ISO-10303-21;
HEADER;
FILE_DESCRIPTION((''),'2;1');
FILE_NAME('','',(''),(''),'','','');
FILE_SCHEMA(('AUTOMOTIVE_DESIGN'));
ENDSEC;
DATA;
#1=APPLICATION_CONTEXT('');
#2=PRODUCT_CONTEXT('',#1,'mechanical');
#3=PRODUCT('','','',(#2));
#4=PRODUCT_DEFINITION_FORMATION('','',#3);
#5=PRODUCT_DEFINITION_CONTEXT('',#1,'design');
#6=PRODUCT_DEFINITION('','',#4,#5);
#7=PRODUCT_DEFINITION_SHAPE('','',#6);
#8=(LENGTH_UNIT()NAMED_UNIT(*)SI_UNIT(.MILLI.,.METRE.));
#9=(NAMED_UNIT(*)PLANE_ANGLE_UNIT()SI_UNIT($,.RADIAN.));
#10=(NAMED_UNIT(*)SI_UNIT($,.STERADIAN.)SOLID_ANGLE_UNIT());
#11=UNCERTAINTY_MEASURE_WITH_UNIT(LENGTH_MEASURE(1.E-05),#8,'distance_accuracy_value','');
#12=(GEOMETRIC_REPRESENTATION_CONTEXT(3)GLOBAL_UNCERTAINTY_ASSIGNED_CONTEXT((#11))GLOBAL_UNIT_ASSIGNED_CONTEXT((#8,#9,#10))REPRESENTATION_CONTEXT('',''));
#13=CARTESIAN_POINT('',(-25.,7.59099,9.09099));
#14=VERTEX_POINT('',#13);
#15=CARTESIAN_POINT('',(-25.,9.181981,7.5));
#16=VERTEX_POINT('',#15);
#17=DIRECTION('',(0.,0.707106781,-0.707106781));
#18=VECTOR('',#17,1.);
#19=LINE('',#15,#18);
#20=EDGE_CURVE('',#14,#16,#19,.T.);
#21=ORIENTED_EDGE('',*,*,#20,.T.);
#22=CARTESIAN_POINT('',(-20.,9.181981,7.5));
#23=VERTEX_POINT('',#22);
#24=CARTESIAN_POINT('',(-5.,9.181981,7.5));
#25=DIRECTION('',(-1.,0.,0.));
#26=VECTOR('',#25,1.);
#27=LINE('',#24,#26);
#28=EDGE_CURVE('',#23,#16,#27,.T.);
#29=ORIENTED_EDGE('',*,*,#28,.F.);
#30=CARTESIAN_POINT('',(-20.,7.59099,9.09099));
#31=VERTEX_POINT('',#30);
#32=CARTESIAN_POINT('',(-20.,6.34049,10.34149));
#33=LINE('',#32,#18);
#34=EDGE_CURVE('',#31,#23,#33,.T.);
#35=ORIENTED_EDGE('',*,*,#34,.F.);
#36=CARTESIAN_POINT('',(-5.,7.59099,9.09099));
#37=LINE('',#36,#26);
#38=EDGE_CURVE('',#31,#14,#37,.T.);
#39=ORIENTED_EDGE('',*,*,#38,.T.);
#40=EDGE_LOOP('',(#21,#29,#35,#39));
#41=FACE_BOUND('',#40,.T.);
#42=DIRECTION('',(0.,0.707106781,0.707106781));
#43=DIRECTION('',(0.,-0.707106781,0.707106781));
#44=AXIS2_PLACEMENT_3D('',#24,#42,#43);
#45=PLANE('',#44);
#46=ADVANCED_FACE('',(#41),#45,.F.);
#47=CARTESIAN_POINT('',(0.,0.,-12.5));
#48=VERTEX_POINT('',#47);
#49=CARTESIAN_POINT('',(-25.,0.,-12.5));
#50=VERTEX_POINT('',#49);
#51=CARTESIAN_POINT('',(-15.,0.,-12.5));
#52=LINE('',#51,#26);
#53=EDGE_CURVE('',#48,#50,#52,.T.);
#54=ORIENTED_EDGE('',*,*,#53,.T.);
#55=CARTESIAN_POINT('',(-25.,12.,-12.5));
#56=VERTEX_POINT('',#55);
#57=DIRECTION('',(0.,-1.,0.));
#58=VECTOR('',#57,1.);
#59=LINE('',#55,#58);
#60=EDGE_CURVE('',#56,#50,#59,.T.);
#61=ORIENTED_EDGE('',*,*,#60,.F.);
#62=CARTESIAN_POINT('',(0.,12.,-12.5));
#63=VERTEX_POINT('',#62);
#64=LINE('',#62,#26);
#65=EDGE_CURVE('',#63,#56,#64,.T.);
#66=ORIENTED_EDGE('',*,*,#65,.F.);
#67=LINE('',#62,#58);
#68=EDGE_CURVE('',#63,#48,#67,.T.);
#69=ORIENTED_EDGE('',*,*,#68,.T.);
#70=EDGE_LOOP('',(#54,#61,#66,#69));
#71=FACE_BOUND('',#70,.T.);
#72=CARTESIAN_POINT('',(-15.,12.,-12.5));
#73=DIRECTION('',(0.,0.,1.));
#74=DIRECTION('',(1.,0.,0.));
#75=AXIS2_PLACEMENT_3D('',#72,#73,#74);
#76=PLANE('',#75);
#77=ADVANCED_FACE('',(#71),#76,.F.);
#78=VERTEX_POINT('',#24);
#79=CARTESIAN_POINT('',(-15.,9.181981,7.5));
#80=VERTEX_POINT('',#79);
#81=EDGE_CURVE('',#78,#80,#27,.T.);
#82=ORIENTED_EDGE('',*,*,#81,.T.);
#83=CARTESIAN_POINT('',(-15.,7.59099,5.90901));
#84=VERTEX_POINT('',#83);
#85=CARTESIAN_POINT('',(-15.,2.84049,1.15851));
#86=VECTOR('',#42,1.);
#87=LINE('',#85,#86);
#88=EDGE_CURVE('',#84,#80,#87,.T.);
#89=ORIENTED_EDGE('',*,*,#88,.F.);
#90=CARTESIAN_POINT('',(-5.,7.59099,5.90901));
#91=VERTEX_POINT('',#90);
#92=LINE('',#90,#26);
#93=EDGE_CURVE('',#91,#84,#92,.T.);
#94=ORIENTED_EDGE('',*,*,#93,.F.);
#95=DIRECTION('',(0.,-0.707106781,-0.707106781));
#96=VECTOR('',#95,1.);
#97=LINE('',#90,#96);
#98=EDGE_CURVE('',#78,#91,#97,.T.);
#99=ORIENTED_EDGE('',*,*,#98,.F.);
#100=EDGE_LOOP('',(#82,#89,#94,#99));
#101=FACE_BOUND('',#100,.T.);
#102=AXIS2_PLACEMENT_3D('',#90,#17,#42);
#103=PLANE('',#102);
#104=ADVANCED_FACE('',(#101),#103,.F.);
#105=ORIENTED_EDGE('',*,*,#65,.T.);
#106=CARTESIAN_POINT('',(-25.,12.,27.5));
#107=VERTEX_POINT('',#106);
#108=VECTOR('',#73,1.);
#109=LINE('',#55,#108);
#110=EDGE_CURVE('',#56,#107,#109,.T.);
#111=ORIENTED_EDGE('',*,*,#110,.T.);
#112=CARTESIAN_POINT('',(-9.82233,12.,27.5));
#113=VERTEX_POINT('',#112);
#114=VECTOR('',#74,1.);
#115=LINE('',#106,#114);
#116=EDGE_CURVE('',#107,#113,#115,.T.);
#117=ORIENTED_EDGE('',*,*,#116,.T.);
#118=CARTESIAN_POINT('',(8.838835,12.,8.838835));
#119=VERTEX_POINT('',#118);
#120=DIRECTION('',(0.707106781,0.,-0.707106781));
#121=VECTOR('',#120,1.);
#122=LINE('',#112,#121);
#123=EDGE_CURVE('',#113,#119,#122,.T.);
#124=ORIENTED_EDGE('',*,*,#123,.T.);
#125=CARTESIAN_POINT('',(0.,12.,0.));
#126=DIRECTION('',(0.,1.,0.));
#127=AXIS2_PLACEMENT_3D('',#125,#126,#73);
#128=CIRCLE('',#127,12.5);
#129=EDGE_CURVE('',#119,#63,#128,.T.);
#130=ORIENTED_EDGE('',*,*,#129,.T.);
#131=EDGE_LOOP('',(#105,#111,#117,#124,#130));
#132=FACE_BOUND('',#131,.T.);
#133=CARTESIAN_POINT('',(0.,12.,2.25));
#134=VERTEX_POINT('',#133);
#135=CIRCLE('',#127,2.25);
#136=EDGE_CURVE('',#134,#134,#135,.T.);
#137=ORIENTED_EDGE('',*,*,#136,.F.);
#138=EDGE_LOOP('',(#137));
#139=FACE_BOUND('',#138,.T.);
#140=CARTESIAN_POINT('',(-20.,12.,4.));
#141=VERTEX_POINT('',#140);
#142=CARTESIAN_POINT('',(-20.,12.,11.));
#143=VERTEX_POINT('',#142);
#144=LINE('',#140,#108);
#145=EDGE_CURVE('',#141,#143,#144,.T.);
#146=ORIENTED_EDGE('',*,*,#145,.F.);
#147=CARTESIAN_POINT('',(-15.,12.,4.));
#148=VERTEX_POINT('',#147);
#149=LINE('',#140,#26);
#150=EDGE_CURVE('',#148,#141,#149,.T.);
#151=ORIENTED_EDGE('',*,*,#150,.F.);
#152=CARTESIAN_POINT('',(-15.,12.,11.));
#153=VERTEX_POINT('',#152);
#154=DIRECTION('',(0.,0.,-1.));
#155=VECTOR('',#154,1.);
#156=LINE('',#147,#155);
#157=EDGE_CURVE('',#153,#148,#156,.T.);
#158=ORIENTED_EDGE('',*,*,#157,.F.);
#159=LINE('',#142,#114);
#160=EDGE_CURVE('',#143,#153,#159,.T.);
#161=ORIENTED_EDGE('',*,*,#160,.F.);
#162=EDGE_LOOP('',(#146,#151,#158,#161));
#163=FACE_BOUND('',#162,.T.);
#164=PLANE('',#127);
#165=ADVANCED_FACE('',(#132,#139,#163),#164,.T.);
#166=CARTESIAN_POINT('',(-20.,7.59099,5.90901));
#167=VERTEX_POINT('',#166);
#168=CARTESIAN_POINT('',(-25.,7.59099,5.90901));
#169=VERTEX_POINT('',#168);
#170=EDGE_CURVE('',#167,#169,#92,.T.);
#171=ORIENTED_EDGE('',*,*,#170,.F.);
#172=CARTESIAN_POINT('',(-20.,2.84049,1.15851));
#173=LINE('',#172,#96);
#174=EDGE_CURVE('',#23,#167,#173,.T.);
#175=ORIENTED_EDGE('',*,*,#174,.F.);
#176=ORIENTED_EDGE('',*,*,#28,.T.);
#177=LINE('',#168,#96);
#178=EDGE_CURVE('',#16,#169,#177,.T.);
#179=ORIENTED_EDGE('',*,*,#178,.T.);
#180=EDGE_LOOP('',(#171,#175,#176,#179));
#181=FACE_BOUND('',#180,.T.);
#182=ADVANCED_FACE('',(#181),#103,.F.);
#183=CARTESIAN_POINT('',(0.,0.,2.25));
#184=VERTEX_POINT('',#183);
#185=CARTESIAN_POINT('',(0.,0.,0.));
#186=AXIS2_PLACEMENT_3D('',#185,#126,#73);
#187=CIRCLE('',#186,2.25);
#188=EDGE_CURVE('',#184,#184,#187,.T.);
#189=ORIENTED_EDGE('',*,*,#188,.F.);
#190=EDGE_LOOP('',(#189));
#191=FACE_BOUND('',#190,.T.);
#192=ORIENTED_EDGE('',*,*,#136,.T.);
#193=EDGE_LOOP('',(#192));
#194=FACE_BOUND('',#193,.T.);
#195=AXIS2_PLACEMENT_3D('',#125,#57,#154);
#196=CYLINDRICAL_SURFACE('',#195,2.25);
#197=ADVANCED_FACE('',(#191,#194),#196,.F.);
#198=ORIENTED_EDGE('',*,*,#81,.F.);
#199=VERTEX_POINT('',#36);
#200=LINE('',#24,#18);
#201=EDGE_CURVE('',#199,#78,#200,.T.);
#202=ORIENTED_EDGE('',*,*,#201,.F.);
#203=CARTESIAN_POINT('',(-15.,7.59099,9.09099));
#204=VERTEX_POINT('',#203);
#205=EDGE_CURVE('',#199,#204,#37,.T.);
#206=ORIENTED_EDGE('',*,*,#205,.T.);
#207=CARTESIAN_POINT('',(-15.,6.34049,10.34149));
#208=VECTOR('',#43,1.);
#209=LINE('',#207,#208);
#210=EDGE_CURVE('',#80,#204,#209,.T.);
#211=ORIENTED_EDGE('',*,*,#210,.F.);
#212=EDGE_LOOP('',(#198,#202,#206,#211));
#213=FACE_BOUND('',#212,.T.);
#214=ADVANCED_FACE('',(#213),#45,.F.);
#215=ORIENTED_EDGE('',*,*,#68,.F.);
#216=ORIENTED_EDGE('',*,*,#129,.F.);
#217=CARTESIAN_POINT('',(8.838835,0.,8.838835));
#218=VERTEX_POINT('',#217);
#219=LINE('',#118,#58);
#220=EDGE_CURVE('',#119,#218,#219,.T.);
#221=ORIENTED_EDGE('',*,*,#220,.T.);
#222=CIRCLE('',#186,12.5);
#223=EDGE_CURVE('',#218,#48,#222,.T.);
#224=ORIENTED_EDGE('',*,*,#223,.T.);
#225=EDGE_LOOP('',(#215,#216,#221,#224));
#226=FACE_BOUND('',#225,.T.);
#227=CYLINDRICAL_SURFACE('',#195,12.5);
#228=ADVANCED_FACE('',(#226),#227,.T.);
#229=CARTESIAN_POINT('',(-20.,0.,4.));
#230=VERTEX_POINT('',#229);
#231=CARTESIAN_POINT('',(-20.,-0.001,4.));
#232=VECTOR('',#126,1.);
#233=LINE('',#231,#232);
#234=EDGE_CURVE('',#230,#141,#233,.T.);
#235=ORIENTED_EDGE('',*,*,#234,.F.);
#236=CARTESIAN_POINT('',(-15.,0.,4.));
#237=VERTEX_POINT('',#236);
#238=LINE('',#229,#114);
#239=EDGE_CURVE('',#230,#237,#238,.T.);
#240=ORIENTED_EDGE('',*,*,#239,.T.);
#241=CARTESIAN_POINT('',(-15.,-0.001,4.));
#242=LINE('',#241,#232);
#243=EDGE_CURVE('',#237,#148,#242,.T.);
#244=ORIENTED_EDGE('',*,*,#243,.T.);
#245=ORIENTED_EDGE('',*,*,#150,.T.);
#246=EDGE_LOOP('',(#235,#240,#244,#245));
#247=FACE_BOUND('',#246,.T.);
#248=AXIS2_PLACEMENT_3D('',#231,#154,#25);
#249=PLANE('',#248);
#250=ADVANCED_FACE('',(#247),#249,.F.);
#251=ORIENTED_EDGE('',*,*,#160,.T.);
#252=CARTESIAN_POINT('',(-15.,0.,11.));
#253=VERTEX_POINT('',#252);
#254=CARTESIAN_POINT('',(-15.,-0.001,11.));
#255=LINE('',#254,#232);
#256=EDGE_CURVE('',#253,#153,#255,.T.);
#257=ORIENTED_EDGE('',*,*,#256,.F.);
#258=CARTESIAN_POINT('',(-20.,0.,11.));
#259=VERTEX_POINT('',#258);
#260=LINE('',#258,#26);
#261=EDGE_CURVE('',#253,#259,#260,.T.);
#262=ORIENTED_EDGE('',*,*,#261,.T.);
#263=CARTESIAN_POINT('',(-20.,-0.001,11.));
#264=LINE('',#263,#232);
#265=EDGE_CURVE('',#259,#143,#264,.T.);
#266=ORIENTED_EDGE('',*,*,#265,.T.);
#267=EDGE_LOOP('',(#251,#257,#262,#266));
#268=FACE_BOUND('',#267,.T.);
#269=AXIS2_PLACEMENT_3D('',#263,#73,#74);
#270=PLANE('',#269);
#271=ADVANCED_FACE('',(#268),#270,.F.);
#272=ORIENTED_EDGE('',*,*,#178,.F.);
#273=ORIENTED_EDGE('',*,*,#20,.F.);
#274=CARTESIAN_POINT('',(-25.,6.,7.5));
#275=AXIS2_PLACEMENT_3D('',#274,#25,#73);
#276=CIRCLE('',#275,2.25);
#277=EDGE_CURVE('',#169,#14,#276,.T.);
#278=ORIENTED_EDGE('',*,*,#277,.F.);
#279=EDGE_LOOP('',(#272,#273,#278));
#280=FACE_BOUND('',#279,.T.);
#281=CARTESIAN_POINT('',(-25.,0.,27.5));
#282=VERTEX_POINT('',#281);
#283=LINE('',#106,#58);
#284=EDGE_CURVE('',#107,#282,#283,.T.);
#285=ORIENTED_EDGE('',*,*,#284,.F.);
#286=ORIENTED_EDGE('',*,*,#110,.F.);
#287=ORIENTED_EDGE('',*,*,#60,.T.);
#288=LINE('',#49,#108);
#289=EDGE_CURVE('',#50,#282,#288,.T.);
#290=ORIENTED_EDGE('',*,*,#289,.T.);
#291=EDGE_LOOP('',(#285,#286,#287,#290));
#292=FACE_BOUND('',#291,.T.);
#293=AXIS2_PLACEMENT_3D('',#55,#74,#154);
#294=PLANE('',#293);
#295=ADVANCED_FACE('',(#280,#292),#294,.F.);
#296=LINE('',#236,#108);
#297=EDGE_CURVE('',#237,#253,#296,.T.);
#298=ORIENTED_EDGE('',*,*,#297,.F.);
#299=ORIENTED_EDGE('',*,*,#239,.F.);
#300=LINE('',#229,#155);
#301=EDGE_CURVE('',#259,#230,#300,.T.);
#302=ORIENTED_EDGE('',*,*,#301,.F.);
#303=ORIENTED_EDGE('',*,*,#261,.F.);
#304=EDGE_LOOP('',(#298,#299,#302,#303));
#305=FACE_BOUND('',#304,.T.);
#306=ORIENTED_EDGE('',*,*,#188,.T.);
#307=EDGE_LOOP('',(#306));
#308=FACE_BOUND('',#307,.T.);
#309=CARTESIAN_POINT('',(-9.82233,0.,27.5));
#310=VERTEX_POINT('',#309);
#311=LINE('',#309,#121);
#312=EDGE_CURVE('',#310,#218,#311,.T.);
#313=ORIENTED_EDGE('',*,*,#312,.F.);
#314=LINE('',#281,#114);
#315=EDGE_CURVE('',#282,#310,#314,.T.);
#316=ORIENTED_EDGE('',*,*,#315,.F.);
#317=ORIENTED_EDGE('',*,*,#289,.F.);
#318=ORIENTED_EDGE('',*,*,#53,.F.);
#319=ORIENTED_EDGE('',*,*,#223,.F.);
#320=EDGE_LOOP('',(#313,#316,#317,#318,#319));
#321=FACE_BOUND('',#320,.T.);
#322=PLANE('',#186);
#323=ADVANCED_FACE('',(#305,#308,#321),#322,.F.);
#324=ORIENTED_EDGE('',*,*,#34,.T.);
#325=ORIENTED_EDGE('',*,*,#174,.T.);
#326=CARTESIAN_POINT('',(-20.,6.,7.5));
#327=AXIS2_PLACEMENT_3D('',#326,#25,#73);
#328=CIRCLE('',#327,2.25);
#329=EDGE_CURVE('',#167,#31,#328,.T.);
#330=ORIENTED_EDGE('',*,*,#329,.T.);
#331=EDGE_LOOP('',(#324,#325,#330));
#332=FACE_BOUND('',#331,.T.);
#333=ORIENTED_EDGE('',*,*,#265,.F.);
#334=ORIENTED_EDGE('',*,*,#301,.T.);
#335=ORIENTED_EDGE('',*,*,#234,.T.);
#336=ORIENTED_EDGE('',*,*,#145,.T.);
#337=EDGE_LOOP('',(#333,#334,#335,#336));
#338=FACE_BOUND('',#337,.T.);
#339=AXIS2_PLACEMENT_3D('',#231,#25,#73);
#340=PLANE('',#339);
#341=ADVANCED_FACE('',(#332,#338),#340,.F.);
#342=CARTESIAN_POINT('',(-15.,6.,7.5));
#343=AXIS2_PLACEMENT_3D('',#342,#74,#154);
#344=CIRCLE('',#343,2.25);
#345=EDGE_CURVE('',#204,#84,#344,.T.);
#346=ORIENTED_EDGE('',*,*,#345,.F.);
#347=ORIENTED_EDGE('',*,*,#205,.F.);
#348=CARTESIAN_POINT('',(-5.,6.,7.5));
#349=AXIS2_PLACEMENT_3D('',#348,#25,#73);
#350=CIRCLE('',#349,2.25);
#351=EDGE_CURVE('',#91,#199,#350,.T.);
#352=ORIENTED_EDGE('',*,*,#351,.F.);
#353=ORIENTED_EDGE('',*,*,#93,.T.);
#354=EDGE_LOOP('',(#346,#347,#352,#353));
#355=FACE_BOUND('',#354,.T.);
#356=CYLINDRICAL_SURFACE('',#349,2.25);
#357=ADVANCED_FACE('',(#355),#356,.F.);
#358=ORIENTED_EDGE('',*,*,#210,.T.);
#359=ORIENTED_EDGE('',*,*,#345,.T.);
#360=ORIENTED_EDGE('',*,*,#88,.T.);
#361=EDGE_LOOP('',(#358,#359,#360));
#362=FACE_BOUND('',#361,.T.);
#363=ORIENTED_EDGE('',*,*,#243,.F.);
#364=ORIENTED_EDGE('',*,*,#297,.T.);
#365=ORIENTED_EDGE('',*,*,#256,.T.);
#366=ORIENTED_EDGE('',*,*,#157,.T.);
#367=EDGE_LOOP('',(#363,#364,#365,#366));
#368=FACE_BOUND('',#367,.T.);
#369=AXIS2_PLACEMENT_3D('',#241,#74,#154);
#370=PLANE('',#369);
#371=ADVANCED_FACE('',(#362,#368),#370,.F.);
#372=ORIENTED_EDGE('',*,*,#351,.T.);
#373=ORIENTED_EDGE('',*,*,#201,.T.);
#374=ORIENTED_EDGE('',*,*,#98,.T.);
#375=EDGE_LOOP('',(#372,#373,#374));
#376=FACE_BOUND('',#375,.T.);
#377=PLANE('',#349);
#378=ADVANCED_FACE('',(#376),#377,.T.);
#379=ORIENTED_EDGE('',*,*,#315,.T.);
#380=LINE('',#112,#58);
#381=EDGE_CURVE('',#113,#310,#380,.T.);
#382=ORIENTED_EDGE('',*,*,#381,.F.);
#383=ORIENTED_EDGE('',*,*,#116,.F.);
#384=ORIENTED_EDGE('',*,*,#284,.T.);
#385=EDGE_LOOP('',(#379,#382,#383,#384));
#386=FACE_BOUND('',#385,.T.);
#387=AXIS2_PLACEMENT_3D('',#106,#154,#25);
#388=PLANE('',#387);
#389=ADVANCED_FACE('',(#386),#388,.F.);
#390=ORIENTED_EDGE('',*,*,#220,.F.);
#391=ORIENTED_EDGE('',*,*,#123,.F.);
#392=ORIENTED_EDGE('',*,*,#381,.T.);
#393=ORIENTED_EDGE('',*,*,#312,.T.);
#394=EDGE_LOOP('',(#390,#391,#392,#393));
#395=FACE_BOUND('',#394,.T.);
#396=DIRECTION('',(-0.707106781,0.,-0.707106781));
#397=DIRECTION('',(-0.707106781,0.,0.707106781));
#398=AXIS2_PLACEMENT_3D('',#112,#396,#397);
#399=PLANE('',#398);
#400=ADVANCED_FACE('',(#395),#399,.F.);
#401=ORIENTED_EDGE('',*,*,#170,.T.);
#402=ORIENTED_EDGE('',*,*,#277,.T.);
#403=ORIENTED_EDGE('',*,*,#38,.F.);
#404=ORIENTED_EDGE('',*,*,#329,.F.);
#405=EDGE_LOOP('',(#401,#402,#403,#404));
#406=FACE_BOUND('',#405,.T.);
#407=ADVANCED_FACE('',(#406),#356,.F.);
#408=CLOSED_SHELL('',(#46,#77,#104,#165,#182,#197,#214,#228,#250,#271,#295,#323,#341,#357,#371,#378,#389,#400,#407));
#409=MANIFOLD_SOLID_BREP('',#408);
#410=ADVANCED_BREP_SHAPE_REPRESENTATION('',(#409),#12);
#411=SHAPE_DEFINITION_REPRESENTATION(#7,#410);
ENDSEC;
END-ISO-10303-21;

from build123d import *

# Parameters (mm, degrees)
SKETCH1_R           = 2.25
BOSS_EXTRUDE1_DEPTH = 12
CUT_EXTRUDE1_DEPTH  = 20
CUT_EXTRUDE2_REACH  = 41.054
SKETCH3_W           = 5
SKETCH3_H           = 7


with BuildPart() as part:
    # Sketch1 → Boss-Extrude1 (new body)
    with BuildSketch(Plane(origin=(0, 0, 0), x_dir=(1, 0, 0), z_dir=(0, 1, 0))):
        with BuildLine():
            Line((0, 12.5), (-15, 12.5))
            Line((-15, 12.5), (-25, 12.5))
            Line((-25, 12.5), (-25, -27.5))
            Line((-25, -27.5), (-9.82233047, -27.5))
            Line((-9.82233047, -27.5), (8.838834765, -8.838834765))
            ThreePointArc((8.838834765, -8.838834765), (11.548494156, 4.783542905), (0, 12.5))
        make_face()
        with Locations(Location((0, 0, 0), (0, 0, 270))):
            Circle(SKETCH1_R, mode=Mode.SUBTRACT)
    extrude(amount=BOSS_EXTRUDE1_DEPTH)

    # Sketch2 → Cut-Extrude1 (cut)
    with BuildSketch(Plane.ZY.offset(25)):
        with BuildLine():
            Line((5.909009742, 7.590990258), (7.5, 9.181980515))
            Line((7.5, 9.181980515), (9.090990258, 7.590990258))
            ThreePointArc((9.090990258, 7.590990258), (7.5, 3.75), (5.909009742, 7.590990258))
        make_face()
    extrude(amount=-CUT_EXTRUDE1_DEPTH, mode=Mode.SUBTRACT)

    # Sketch3 → Cut-Extrude2 (cut, up to next)
    with BuildSketch(Plane(origin=(0, 12, 0), x_dir=(1, 0, 0), z_dir=(0, 1, 0)), mode=Mode.PRIVATE) as cut_extrude2_sk1:
        with Locations((-17.5, -7.5)):
            Rectangle(SKETCH3_W, SKETCH3_H)
    cut_extrude2_tool1 = extrude(cut_extrude2_sk1.sketch, amount=-CUT_EXTRUDE2_REACH, mode=Mode.PRIVATE) & part.part
    add(cut_extrude2_tool1.solids().sort_by_distance((-17.5, 12, 7.5))[0], mode=Mode.SUBTRACT)


solid = part.part
